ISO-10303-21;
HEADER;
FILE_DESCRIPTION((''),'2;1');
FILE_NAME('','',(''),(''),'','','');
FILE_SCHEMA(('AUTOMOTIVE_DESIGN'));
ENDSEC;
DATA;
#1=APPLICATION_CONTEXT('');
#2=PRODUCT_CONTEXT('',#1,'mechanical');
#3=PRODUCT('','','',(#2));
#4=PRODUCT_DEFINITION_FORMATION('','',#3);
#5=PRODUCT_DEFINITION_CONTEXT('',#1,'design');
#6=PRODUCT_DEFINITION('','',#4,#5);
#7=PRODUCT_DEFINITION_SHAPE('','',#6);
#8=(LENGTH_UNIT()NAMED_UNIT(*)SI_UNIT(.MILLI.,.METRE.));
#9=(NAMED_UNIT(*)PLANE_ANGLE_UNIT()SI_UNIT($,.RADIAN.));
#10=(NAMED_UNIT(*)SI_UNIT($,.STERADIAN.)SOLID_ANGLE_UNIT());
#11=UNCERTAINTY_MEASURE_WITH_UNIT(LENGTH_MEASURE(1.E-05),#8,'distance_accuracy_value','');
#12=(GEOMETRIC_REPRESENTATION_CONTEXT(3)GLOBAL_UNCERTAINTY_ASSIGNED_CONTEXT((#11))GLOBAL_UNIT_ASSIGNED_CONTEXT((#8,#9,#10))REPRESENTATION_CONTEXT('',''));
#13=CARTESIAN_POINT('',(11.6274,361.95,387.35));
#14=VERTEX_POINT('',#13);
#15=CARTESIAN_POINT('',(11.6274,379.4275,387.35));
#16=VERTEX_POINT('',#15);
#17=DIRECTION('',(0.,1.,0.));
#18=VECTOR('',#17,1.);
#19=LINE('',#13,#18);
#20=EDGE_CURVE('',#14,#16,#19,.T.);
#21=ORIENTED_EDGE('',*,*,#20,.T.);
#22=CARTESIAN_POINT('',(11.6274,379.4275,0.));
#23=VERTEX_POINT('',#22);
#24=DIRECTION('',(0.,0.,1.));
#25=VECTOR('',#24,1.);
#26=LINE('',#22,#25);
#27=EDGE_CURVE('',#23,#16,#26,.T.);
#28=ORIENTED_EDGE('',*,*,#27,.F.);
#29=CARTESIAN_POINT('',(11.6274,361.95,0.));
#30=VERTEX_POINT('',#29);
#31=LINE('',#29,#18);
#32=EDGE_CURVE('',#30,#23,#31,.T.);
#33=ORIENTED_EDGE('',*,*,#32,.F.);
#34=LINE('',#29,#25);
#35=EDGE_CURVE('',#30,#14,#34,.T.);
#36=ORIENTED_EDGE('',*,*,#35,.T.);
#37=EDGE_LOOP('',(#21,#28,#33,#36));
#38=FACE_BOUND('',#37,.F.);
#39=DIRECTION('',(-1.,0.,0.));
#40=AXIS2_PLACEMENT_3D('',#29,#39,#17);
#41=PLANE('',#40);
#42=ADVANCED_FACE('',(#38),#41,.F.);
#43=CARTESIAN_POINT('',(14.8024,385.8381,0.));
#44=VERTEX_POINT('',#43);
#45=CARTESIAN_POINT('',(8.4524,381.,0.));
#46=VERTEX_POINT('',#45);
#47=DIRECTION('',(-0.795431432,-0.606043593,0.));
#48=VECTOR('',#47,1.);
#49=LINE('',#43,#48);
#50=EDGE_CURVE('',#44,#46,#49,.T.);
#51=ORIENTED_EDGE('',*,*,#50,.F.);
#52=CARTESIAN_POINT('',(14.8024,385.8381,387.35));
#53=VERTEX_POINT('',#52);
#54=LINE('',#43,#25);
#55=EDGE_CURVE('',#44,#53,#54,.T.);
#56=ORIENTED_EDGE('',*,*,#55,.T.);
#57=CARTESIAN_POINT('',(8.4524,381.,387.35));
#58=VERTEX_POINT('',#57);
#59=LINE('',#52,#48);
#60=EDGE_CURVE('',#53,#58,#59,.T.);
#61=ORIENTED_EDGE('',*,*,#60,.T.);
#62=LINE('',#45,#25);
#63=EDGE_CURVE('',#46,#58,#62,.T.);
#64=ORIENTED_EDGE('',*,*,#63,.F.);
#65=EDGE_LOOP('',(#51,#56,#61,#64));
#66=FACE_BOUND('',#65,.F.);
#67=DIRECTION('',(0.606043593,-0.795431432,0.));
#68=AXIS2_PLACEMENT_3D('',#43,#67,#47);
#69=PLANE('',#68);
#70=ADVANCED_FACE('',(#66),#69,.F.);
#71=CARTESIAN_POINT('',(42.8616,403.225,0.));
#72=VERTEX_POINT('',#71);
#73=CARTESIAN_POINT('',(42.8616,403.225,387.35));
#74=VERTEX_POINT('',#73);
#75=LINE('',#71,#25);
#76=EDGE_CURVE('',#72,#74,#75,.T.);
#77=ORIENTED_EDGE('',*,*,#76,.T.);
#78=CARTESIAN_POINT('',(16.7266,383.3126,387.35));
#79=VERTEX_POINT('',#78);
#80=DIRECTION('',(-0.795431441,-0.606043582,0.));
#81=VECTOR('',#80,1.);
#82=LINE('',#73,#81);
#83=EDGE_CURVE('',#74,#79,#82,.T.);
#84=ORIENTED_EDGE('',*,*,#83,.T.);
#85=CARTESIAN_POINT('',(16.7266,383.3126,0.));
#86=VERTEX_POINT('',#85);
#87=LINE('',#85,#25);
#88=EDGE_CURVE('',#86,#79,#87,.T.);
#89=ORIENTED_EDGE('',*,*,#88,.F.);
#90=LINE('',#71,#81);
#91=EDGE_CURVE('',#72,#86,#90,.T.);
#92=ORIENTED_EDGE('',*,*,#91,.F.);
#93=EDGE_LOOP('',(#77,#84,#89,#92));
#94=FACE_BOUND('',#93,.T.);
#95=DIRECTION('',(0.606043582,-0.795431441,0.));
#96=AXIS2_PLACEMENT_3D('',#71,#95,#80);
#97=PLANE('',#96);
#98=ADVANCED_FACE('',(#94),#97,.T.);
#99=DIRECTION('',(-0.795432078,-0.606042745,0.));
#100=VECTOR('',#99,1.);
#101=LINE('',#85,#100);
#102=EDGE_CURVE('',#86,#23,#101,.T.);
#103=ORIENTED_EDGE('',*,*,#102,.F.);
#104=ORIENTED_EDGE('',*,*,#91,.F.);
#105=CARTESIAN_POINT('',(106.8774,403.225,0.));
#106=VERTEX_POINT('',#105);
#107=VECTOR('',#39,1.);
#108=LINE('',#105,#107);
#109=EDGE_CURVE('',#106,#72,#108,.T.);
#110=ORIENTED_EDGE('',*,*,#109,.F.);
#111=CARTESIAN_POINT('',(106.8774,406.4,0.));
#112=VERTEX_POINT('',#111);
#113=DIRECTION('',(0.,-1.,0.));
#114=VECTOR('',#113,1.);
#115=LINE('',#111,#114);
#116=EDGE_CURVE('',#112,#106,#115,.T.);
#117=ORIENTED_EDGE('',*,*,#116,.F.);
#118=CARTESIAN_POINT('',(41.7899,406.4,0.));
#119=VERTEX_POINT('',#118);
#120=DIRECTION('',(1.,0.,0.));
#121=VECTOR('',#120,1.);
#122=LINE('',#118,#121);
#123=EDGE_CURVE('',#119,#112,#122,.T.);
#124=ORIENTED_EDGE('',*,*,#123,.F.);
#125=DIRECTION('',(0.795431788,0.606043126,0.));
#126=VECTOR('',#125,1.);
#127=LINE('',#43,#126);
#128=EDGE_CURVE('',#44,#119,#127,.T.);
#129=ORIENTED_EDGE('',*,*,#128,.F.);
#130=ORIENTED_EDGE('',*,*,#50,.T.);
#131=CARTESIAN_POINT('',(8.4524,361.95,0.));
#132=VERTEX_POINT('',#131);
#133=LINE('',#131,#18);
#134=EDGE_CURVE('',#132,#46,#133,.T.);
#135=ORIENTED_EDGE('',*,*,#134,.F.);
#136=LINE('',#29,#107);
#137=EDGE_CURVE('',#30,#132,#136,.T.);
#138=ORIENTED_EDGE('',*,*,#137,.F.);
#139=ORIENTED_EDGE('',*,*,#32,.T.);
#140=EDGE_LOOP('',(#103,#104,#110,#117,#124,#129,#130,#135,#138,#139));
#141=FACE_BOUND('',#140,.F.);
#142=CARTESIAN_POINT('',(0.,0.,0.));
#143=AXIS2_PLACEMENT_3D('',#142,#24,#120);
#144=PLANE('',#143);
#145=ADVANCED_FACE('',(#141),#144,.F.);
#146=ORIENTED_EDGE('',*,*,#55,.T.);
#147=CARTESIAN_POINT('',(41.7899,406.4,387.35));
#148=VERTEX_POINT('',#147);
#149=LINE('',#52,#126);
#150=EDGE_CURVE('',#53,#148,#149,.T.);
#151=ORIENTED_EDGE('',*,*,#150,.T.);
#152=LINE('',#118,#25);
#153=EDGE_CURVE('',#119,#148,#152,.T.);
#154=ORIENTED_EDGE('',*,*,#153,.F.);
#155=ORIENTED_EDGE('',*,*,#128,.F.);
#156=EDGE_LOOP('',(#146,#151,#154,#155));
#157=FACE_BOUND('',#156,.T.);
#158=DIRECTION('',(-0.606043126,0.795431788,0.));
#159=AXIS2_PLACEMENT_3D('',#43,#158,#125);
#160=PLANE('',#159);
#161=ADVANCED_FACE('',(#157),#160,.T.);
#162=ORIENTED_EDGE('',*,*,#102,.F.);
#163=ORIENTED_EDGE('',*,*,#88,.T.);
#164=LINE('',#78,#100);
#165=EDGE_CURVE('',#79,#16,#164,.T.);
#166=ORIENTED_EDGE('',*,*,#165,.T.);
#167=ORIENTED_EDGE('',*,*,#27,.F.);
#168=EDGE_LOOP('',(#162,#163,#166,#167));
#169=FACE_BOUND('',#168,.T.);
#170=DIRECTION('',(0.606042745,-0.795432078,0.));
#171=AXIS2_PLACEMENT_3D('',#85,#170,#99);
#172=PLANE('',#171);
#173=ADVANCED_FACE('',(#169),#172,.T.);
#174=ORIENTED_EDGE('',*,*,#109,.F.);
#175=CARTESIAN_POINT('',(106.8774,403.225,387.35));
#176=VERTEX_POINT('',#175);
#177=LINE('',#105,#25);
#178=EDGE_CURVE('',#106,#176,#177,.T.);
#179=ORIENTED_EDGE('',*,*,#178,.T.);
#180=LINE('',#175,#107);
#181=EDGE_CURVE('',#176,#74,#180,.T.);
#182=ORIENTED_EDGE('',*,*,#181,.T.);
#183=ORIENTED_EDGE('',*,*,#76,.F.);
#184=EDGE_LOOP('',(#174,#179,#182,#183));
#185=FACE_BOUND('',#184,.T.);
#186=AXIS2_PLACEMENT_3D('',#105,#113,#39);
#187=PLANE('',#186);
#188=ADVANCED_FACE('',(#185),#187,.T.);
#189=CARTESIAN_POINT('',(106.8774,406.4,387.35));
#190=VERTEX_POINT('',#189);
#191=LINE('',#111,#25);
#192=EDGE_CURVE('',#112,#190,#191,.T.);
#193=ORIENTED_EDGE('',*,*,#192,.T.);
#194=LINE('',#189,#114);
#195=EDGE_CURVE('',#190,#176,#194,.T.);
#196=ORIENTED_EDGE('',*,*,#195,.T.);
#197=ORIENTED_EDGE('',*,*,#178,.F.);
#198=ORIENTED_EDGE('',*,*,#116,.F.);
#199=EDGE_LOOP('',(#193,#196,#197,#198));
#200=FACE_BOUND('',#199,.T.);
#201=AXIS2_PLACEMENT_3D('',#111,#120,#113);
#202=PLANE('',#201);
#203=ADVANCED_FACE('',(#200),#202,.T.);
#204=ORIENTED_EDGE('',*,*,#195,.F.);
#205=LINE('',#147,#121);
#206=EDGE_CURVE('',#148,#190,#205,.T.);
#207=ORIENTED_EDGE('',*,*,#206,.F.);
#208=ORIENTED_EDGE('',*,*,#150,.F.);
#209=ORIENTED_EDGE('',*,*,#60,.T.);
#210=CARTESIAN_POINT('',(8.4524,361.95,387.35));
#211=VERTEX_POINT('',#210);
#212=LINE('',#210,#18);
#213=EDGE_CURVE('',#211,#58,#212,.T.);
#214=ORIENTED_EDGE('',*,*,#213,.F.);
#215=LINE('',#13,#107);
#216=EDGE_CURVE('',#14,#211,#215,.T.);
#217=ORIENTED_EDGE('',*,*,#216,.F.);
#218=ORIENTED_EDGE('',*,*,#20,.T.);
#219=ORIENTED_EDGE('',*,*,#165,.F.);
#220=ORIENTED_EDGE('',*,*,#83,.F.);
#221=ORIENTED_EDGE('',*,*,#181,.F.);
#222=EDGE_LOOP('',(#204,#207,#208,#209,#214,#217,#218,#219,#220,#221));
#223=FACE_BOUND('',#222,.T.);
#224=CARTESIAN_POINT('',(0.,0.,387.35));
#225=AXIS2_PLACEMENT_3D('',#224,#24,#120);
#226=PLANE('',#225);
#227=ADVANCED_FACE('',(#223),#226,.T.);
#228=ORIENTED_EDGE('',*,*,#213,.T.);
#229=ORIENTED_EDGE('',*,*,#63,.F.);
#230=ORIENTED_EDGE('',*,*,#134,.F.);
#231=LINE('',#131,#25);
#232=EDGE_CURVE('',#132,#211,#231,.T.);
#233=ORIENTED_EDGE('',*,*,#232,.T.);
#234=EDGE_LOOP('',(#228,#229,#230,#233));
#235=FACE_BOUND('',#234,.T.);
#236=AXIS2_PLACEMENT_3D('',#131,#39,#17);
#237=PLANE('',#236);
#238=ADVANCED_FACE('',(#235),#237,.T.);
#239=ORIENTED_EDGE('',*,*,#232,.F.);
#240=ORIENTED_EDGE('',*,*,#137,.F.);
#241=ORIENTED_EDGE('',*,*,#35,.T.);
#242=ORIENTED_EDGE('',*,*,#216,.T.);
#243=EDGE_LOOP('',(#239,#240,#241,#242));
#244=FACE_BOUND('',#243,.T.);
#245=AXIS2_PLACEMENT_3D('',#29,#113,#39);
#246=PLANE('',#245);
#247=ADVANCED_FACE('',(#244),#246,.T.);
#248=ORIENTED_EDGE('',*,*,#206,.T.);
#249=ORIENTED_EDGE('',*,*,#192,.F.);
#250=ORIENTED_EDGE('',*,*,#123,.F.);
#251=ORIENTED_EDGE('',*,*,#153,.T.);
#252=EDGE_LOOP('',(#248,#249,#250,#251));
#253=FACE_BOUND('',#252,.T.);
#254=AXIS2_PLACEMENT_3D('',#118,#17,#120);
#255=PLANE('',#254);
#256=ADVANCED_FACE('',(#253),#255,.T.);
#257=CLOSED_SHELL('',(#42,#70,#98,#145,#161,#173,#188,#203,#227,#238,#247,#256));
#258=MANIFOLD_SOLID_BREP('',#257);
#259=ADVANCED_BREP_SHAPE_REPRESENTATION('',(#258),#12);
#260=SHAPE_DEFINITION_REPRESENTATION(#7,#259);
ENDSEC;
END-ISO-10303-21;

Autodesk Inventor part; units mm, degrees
ref_plane "YZ Plane" through (0, 0, 0) normal (1, 0, 0) x (0, 1, 0)
ref_plane "XZ Plane" through (0, 0, 0) normal (0, 1, 0) x (-1, 0, 0)
ref_plane "XY Plane" through (0, 0, 0) normal (0, 0, 1) x (1, 0, 0)
ref_plane "Work Plane1" through (0, 0, 0) normal (0, 0, 1) x (1, 0, 0)
sketch "Sketch1" plane through (0, 0, 0) normal (0, 0, 1) x (1, 0, 0)
  line L0 (41.7899, 406.4) -> (106.8774, 406.4) projected
  line L1 (14.8024, 385.8381) -> (41.7899, 406.4) projected
  line L2 (106.8774, 403.225) -> (42.8616, 403.225)
  line L3 (42.8616, 403.225) -> (16.7266, 383.3126)
  line L4 (106.8774, 406.4) -> (106.8774, 403.225)
  line L5 (11.6274, 361.95) -> (11.6274, 80.1687) projected
  line L6 (16.7266, 383.3126) -> (11.6274, 379.4275)
  line L7 (14.8024, 385.8381) -> (8.4524, 381)
  line L8 (11.6274, 361.95) -> (11.6274, 379.4275)
  line L9 (11.6274, 361.95) -> (11.6274, 80.1687) projected
  line L10 (8.4524, 361.95) -> (8.4524, 80.1687) projected
  line L11 (11.6274, 361.95) -> (8.4524, 361.95) projected
  line L12 (8.4524, 361.95) -> (8.4524, 381)
  point P0 (0, 0)
  dimension "d0" = 3.175
extrude "Extrusion1" add sketch "Sketch1" along normal blind 387.35
properties part number "Drive BaseFront"
